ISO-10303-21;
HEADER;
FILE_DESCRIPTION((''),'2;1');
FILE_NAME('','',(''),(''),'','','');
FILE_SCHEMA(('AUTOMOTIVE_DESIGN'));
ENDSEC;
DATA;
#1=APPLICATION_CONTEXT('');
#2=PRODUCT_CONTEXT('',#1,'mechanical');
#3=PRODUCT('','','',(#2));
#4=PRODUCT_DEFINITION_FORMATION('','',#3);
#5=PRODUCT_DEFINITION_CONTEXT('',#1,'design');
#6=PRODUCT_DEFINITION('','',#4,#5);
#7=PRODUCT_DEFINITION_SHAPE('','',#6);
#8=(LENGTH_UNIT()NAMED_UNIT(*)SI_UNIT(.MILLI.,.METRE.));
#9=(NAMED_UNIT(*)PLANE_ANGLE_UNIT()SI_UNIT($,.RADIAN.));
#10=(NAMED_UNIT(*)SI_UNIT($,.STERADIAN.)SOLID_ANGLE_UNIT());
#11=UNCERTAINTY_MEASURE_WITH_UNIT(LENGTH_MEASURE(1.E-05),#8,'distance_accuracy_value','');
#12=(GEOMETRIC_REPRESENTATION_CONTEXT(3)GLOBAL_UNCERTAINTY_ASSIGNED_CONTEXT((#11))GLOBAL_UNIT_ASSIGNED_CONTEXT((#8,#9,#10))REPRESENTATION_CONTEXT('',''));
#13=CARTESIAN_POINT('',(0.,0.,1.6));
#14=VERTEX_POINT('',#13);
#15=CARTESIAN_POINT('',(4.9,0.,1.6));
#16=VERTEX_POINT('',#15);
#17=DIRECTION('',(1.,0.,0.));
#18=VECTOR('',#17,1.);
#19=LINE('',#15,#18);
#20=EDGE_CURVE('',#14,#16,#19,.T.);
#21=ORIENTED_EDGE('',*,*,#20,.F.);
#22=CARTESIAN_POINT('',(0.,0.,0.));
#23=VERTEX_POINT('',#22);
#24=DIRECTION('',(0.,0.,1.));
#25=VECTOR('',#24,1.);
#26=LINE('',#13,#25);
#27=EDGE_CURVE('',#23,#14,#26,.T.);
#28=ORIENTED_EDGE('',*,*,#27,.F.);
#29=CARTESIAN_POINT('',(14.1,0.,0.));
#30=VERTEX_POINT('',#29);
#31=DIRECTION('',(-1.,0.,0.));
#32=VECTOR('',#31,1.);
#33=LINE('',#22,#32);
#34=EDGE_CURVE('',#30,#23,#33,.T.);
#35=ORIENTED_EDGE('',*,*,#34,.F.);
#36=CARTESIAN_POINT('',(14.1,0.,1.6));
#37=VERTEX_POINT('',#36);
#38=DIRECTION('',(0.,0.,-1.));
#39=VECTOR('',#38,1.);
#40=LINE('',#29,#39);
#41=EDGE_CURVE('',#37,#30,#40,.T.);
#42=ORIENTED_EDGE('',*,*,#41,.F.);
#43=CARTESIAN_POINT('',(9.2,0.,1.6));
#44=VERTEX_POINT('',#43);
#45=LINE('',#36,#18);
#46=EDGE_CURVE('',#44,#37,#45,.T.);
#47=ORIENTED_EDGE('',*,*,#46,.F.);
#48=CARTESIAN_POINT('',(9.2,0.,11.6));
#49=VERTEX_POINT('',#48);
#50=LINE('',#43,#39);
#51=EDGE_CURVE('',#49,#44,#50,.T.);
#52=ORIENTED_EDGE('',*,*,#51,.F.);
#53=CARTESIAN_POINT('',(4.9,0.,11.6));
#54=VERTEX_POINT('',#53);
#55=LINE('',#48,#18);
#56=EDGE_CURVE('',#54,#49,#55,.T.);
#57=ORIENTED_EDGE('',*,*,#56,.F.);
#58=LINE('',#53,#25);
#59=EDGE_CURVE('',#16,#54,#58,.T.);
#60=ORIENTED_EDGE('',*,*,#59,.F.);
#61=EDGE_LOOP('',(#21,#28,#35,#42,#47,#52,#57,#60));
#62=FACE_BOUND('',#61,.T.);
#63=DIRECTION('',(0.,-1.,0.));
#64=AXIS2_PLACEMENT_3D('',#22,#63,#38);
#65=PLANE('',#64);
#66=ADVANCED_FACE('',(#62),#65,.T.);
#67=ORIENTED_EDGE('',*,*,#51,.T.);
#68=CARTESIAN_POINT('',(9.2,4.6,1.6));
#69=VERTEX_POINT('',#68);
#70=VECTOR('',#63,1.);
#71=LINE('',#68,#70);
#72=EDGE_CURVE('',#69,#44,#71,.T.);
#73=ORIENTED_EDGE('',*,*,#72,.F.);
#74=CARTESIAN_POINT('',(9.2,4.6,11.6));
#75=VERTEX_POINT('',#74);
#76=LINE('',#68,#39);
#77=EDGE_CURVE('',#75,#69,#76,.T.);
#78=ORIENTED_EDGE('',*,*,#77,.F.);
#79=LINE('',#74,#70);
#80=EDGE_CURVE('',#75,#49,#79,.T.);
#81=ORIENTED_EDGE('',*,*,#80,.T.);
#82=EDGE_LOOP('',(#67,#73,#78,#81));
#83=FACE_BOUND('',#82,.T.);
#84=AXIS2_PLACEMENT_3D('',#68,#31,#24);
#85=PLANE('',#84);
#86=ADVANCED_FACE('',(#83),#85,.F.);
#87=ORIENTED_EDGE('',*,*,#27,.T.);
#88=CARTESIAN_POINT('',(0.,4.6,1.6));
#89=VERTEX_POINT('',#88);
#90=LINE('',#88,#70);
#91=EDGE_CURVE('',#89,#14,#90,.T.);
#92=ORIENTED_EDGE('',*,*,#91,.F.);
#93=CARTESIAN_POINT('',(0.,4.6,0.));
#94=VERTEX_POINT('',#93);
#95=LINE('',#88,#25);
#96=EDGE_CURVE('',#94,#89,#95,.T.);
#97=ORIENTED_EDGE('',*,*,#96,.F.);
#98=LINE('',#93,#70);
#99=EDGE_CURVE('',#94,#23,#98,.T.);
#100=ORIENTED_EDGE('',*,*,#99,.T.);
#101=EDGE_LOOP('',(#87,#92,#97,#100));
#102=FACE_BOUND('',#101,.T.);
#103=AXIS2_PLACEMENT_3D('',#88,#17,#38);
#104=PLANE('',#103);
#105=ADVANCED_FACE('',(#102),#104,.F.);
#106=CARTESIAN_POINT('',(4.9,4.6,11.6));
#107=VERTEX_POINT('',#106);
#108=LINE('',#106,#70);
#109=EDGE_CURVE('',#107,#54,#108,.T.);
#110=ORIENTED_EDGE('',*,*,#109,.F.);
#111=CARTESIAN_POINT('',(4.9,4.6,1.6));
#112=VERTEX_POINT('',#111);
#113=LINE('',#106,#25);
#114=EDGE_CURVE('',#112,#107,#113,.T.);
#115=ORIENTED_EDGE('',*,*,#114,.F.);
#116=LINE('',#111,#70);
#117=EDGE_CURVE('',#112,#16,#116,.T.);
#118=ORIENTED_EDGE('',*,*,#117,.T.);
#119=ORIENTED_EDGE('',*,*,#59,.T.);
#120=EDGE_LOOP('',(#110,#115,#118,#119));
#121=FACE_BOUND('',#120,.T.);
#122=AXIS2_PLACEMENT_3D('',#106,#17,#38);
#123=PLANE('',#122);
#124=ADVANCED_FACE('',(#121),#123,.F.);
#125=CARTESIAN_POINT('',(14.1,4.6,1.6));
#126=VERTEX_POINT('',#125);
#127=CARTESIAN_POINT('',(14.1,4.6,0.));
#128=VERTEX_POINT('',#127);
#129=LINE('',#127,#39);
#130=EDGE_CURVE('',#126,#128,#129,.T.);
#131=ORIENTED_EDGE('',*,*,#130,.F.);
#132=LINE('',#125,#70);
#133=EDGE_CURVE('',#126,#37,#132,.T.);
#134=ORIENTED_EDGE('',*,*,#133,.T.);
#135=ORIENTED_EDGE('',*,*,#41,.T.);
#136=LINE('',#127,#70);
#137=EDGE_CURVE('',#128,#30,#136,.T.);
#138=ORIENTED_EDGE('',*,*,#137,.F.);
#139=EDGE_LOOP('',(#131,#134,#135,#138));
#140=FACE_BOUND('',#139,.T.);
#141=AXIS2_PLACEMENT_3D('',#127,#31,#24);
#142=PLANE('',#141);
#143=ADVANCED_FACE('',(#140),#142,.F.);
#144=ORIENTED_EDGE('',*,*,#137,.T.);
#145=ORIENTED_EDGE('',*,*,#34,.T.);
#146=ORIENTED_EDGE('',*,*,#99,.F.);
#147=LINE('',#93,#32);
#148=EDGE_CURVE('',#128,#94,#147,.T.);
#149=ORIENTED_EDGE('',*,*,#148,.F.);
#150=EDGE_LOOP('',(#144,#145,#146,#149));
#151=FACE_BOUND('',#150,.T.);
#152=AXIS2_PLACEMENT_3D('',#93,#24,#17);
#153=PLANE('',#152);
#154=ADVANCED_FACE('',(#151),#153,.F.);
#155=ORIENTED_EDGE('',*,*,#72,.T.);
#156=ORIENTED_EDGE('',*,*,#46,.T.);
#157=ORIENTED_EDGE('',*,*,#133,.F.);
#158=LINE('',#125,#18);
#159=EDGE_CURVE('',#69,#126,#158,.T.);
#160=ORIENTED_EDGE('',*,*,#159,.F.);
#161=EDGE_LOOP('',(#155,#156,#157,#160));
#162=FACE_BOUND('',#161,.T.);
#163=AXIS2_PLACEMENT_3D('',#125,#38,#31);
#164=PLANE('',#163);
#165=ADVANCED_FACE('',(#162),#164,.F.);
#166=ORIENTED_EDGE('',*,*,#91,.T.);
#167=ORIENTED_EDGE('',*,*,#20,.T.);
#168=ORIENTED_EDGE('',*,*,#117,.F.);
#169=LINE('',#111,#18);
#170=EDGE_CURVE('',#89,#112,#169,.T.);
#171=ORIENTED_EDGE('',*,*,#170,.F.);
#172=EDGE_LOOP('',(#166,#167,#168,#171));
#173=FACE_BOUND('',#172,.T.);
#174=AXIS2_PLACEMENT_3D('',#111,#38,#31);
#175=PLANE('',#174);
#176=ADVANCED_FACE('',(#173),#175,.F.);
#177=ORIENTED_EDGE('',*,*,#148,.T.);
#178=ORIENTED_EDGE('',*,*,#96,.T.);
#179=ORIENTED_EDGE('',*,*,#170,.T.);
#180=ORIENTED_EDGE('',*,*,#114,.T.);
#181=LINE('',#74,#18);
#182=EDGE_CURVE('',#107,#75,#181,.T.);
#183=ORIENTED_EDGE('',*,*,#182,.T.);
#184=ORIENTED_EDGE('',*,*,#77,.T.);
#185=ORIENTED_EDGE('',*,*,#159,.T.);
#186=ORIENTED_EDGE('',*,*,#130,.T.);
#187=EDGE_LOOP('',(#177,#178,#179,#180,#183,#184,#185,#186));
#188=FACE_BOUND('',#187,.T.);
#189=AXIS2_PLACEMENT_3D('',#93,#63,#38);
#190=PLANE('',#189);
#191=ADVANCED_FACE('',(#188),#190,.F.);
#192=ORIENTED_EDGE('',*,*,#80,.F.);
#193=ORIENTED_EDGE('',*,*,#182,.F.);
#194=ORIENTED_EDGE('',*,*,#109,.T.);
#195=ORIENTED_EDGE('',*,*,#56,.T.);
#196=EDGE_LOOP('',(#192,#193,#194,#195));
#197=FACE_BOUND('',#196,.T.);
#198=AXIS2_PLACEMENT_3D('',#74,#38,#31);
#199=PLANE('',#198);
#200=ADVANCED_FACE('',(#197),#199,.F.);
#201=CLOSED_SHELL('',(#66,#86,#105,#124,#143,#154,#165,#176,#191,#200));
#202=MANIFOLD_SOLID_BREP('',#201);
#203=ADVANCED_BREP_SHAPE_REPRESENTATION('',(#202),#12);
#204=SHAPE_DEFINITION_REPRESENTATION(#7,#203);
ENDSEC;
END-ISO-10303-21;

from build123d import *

# Parameters (mm, degrees)
BOSS_EXTRUDE1_DEPTH = 4.6


with BuildPart() as part:
    # Sketch1 → Boss-Extrude1 (new body)
    with BuildSketch(Plane(origin=(0, 0, 0), x_dir=(1, 0, 0), z_dir=(0, 1, 0))):
        Polygon((0, 0), (14.1, 0), (14.1, -1.6), (9.2, -1.6), (9.2, -11.6), (4.9, -11.6), (4.9, -1.6), (0, -1.6), align=None)
    extrude(amount=BOSS_EXTRUDE1_DEPTH)


solid = part.part
